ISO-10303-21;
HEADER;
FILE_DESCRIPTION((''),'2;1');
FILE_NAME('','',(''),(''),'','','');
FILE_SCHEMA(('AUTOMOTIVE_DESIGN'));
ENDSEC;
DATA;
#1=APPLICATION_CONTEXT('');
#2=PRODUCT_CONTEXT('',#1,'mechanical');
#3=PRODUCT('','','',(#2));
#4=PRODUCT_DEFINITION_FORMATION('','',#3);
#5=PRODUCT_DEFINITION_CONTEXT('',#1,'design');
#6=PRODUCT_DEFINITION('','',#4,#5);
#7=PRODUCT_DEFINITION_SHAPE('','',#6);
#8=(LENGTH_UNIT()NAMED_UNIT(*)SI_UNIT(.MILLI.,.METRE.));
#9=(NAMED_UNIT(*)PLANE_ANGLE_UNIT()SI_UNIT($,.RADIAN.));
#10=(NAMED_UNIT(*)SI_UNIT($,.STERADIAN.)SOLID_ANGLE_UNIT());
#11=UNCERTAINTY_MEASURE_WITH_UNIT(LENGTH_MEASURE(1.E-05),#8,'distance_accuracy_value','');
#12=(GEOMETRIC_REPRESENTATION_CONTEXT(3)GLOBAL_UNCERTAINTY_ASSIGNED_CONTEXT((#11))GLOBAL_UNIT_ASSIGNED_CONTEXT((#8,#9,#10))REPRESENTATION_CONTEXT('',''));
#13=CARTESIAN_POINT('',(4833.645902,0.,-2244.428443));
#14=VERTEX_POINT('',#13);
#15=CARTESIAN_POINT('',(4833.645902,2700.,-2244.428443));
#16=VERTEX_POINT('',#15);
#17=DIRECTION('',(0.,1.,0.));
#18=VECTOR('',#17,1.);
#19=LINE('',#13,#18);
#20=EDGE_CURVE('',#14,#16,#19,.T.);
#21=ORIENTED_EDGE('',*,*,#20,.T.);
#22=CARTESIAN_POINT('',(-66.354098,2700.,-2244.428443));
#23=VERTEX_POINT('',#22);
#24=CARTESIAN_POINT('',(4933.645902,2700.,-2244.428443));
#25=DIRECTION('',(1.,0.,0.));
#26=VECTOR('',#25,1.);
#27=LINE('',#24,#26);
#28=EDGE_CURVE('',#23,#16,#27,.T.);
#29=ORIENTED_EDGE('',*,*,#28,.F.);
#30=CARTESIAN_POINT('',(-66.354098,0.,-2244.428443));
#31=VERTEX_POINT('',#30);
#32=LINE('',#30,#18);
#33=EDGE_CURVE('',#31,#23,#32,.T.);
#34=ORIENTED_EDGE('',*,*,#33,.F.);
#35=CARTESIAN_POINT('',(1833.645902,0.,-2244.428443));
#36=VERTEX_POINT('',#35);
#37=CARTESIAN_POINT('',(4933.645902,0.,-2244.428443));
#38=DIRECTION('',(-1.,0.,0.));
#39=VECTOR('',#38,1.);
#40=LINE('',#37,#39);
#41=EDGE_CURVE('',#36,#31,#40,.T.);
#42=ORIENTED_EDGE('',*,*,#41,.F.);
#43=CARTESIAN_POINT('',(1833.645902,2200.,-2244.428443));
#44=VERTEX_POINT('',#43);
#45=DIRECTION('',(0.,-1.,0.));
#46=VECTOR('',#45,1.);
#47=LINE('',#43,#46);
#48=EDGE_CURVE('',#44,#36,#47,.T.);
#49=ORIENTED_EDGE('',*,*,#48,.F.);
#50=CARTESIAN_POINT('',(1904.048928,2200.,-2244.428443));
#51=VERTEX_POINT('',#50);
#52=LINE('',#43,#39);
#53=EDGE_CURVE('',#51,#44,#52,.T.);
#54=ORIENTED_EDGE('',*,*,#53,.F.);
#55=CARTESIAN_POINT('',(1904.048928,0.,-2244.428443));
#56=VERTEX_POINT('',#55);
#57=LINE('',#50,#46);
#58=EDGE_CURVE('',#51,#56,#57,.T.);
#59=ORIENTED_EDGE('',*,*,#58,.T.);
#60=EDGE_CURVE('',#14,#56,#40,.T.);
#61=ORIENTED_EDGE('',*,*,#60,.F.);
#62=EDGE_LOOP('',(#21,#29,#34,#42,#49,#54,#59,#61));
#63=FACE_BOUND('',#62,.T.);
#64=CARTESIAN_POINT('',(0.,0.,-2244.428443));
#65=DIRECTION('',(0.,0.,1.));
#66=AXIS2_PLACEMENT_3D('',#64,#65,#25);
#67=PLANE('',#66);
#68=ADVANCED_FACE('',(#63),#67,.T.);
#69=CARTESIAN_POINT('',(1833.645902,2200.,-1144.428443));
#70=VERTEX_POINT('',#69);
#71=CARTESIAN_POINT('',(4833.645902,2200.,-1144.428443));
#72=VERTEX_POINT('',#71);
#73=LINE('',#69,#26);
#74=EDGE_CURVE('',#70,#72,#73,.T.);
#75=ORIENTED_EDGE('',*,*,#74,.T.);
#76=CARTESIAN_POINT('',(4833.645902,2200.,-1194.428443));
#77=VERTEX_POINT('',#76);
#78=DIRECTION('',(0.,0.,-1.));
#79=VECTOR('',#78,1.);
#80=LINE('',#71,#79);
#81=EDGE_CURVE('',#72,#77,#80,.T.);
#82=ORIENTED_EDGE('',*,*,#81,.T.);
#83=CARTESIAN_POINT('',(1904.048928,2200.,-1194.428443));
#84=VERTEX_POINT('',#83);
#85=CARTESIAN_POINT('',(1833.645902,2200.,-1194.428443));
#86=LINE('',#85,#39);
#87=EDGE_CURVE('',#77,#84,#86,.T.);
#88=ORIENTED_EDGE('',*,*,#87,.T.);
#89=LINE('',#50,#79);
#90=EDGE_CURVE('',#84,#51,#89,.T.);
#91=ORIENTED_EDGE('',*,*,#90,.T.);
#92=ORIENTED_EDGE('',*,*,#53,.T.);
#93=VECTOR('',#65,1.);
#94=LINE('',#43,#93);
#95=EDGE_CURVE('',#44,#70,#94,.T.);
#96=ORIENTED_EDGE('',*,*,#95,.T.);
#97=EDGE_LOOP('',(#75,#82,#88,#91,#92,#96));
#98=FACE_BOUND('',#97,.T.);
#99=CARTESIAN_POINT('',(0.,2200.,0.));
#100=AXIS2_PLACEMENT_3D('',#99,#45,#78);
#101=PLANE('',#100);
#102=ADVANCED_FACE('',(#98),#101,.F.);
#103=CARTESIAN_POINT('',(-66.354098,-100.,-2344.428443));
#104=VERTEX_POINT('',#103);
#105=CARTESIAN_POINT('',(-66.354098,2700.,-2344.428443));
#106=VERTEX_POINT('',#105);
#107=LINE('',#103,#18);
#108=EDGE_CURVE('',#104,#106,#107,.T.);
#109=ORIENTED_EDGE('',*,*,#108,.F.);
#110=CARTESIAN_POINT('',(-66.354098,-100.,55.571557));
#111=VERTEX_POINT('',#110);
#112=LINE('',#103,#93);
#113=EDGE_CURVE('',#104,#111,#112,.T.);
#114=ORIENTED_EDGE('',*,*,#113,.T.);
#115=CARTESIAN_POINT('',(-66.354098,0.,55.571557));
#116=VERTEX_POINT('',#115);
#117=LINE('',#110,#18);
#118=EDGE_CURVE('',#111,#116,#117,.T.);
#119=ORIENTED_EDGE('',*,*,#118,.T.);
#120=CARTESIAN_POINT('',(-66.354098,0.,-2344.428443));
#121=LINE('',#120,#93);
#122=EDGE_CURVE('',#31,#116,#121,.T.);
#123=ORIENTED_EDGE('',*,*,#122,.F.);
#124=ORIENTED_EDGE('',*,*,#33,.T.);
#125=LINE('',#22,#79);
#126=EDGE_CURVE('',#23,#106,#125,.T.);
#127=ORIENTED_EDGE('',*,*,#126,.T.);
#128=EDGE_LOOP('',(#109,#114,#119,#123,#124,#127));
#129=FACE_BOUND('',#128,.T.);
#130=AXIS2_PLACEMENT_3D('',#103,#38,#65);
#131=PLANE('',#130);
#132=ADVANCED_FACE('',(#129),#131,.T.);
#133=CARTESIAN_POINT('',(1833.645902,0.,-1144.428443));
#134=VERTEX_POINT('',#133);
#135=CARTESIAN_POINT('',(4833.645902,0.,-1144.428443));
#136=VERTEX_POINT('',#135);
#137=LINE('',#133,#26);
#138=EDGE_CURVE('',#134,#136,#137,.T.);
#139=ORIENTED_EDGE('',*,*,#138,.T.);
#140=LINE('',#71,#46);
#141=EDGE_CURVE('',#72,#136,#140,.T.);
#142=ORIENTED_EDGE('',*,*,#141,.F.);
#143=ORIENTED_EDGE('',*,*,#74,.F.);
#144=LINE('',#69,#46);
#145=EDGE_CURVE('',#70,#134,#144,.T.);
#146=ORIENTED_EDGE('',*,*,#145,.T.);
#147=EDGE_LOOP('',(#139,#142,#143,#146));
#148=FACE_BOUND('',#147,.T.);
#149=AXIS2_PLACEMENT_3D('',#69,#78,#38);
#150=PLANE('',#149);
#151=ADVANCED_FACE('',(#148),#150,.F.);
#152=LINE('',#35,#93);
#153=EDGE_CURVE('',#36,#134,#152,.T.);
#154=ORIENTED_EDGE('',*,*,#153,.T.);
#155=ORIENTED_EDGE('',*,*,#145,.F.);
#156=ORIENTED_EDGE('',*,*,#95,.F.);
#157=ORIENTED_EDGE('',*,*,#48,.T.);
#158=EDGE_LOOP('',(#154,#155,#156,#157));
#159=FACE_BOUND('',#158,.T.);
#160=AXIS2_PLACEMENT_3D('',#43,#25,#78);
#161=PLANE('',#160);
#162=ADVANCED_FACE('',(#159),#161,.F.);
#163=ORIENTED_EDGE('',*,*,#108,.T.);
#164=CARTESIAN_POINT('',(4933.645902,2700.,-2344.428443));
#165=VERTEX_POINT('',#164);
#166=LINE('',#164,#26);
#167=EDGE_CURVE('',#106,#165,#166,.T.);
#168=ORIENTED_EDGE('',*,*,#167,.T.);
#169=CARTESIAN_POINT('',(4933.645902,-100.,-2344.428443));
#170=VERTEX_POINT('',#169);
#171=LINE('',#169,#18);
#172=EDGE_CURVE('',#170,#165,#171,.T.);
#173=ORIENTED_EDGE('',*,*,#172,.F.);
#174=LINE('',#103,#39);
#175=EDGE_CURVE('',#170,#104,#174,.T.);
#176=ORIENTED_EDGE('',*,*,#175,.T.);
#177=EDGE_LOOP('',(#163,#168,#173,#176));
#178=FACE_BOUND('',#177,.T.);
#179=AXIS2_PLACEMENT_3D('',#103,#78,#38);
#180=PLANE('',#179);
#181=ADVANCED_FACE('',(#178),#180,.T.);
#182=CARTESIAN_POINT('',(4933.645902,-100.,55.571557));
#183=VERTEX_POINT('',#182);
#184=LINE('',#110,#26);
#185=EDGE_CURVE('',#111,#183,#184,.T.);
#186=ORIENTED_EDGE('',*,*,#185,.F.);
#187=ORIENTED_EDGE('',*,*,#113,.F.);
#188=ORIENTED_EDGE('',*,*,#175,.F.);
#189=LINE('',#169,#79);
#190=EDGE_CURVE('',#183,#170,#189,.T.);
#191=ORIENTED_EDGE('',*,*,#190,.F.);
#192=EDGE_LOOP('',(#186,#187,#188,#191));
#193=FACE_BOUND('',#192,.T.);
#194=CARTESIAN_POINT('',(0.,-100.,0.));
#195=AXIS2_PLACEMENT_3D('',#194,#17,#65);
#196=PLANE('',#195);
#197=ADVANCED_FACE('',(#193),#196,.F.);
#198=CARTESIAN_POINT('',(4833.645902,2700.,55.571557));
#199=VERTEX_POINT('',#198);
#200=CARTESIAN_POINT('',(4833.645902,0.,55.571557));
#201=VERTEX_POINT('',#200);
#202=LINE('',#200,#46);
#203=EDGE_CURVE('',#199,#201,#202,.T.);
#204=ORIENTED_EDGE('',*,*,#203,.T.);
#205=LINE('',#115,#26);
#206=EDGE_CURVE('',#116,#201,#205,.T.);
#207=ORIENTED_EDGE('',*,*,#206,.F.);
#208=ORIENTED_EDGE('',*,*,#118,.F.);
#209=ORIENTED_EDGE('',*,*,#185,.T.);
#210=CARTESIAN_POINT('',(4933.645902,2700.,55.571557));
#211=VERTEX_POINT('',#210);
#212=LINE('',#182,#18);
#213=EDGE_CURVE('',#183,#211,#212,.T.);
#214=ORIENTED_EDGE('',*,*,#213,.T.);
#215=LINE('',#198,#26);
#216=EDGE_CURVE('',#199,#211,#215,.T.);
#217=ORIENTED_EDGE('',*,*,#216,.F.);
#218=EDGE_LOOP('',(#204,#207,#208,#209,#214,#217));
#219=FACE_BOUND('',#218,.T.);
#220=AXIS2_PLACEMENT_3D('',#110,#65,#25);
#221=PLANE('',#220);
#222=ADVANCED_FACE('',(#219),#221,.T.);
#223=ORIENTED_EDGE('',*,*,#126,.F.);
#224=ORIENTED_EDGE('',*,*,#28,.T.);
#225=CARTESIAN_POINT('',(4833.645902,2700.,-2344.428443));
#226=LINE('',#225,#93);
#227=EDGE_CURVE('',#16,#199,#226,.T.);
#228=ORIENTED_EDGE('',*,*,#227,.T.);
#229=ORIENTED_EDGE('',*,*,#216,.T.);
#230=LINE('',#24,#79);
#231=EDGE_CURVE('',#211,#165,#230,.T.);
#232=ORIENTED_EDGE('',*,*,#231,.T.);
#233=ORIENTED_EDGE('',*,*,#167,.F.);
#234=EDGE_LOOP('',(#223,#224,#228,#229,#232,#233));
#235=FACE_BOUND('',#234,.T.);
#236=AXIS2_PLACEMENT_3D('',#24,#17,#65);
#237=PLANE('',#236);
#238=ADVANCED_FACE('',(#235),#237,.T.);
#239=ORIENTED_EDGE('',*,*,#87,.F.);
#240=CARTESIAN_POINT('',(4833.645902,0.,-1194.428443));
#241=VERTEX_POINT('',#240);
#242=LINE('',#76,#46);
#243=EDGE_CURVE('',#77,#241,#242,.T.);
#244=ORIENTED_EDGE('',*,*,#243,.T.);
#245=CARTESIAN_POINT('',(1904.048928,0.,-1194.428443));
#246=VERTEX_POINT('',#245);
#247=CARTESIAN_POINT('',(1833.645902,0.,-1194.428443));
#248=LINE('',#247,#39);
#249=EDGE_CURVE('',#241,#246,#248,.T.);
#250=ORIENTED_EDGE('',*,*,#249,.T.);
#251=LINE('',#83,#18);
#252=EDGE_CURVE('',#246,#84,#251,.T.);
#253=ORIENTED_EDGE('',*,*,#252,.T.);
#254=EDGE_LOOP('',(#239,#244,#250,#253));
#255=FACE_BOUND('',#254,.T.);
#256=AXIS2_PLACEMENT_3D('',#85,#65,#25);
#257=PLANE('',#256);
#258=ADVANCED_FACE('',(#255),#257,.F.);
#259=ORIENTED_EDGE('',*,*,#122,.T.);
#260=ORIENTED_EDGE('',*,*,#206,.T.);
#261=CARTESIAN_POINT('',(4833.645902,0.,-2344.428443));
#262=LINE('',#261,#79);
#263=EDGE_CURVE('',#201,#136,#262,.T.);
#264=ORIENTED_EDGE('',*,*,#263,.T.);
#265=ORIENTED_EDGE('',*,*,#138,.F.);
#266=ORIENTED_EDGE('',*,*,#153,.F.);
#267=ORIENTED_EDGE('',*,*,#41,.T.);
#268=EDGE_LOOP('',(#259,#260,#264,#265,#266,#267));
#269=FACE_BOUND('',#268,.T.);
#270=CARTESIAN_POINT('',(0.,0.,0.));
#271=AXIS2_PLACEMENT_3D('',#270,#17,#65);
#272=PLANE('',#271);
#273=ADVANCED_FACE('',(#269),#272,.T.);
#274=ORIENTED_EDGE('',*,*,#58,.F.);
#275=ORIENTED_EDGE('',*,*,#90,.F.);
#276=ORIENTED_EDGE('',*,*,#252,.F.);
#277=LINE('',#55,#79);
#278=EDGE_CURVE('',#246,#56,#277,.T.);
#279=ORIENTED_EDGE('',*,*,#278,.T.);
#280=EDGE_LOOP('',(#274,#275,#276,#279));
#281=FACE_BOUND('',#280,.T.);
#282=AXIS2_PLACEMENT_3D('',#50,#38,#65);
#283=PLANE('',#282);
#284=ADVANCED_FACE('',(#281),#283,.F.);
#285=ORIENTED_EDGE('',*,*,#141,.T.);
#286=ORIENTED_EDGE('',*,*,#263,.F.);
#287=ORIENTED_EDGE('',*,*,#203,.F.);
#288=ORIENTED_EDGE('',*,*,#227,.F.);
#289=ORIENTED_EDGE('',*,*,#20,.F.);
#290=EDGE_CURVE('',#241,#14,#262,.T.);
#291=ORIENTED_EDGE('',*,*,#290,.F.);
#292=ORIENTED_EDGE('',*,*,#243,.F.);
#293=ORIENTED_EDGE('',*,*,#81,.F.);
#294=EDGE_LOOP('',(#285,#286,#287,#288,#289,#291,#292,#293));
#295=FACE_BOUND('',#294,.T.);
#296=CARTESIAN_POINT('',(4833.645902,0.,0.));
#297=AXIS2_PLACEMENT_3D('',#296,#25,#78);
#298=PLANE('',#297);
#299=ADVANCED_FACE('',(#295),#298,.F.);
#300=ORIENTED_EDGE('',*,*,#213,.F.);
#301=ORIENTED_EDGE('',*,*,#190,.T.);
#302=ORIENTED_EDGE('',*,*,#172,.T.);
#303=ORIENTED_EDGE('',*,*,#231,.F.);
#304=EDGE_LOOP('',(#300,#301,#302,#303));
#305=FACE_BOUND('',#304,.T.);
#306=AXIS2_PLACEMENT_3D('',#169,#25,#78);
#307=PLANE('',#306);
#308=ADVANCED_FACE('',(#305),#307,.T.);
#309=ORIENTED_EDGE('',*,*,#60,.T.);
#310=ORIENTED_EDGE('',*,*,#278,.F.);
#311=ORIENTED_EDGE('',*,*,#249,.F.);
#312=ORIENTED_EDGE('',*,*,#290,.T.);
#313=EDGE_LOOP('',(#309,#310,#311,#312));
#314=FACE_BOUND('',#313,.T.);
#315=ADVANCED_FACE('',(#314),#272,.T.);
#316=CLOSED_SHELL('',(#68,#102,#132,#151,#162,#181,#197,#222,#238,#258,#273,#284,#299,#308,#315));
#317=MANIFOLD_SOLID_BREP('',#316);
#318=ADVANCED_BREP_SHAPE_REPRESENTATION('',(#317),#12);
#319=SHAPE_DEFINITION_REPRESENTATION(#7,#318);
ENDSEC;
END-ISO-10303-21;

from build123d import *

# Parameters (mm, degrees)
ESQUISSE1_W        = 5000
ESQUISSE1_H        = 2400
BOSS_EXTRU_1_DEPTH = 100
ESQUISSE2_W        = 5000
ESQUISSE2_H        = 2700
BOSS_EXTRU_2_DEPTH = 100
ESQUISSE3_W        = 2400
ESQUISSE3_H        = 2700
BOSS_EXTRU_3_DEPTH = 100
ESQUISSE22_W       = 70.403025722
ESQUISSE22_H       = 1100
BOSS_EXTRU_8_DEPTH = 2200
ESQUISSE23_W       = 3000
ESQUISSE23_H       = 50
BOSS_EXTRU_9_DEPTH = 2200


with BuildPart() as part:
    # Esquisse1 → Boss.-Extru.1 (new body)
    with BuildSketch(Plane(origin=(0, 0, 0), x_dir=(1, 0, 0), z_dir=(0, 1, 0))):
        with Locations((2433.645902302, 1144.428443178)):
            Rectangle(ESQUISSE1_W, ESQUISSE1_H)
    extrude(amount=-BOSS_EXTRU_1_DEPTH)

    # Esquisse2 → Boss.-Extru.2 (add)
    with BuildSketch(Plane(origin=(0, 0, -2344.428443178), x_dir=(-1, 0, 0), z_dir=(0, 0, -1))):
        with Locations((-2433.645902302, 1350)):
            Rectangle(ESQUISSE2_W, ESQUISSE2_H)
    extrude(amount=-BOSS_EXTRU_2_DEPTH)

    # Esquisse3 → Boss.-Extru.3 (add)
    with BuildSketch(Plane(origin=(4933.645902302, 0, 0), x_dir=(0, 0, -1), z_dir=(1, 0, 0))):
        with Locations((1144.428443178, 1350)):
            Rectangle(ESQUISSE3_W, ESQUISSE3_H)
    extrude(amount=-BOSS_EXTRU_3_DEPTH)

    # Esquisse22 → Boss.-Extru.8 (add)
    with BuildSketch(Plane(origin=(0, 0, 0), x_dir=(1, 0, 0), z_dir=(0, 1, 0))):
        with Locations((1868.847415163, 1694.428443178)):
            Rectangle(ESQUISSE22_W, ESQUISSE22_H)
    extrude(amount=BOSS_EXTRU_8_DEPTH)

    # Esquisse23 → Boss.-Extru.9 (add)
    with BuildSketch(Plane(origin=(0, 0, 0), x_dir=(1, 0, 0), z_dir=(0, 1, 0))):
        with Locations((3333.645902302, 1169.428443178)):
            Rectangle(ESQUISSE23_W, ESQUISSE23_H)
    extrude(amount=BOSS_EXTRU_9_DEPTH)


solid = part.part
